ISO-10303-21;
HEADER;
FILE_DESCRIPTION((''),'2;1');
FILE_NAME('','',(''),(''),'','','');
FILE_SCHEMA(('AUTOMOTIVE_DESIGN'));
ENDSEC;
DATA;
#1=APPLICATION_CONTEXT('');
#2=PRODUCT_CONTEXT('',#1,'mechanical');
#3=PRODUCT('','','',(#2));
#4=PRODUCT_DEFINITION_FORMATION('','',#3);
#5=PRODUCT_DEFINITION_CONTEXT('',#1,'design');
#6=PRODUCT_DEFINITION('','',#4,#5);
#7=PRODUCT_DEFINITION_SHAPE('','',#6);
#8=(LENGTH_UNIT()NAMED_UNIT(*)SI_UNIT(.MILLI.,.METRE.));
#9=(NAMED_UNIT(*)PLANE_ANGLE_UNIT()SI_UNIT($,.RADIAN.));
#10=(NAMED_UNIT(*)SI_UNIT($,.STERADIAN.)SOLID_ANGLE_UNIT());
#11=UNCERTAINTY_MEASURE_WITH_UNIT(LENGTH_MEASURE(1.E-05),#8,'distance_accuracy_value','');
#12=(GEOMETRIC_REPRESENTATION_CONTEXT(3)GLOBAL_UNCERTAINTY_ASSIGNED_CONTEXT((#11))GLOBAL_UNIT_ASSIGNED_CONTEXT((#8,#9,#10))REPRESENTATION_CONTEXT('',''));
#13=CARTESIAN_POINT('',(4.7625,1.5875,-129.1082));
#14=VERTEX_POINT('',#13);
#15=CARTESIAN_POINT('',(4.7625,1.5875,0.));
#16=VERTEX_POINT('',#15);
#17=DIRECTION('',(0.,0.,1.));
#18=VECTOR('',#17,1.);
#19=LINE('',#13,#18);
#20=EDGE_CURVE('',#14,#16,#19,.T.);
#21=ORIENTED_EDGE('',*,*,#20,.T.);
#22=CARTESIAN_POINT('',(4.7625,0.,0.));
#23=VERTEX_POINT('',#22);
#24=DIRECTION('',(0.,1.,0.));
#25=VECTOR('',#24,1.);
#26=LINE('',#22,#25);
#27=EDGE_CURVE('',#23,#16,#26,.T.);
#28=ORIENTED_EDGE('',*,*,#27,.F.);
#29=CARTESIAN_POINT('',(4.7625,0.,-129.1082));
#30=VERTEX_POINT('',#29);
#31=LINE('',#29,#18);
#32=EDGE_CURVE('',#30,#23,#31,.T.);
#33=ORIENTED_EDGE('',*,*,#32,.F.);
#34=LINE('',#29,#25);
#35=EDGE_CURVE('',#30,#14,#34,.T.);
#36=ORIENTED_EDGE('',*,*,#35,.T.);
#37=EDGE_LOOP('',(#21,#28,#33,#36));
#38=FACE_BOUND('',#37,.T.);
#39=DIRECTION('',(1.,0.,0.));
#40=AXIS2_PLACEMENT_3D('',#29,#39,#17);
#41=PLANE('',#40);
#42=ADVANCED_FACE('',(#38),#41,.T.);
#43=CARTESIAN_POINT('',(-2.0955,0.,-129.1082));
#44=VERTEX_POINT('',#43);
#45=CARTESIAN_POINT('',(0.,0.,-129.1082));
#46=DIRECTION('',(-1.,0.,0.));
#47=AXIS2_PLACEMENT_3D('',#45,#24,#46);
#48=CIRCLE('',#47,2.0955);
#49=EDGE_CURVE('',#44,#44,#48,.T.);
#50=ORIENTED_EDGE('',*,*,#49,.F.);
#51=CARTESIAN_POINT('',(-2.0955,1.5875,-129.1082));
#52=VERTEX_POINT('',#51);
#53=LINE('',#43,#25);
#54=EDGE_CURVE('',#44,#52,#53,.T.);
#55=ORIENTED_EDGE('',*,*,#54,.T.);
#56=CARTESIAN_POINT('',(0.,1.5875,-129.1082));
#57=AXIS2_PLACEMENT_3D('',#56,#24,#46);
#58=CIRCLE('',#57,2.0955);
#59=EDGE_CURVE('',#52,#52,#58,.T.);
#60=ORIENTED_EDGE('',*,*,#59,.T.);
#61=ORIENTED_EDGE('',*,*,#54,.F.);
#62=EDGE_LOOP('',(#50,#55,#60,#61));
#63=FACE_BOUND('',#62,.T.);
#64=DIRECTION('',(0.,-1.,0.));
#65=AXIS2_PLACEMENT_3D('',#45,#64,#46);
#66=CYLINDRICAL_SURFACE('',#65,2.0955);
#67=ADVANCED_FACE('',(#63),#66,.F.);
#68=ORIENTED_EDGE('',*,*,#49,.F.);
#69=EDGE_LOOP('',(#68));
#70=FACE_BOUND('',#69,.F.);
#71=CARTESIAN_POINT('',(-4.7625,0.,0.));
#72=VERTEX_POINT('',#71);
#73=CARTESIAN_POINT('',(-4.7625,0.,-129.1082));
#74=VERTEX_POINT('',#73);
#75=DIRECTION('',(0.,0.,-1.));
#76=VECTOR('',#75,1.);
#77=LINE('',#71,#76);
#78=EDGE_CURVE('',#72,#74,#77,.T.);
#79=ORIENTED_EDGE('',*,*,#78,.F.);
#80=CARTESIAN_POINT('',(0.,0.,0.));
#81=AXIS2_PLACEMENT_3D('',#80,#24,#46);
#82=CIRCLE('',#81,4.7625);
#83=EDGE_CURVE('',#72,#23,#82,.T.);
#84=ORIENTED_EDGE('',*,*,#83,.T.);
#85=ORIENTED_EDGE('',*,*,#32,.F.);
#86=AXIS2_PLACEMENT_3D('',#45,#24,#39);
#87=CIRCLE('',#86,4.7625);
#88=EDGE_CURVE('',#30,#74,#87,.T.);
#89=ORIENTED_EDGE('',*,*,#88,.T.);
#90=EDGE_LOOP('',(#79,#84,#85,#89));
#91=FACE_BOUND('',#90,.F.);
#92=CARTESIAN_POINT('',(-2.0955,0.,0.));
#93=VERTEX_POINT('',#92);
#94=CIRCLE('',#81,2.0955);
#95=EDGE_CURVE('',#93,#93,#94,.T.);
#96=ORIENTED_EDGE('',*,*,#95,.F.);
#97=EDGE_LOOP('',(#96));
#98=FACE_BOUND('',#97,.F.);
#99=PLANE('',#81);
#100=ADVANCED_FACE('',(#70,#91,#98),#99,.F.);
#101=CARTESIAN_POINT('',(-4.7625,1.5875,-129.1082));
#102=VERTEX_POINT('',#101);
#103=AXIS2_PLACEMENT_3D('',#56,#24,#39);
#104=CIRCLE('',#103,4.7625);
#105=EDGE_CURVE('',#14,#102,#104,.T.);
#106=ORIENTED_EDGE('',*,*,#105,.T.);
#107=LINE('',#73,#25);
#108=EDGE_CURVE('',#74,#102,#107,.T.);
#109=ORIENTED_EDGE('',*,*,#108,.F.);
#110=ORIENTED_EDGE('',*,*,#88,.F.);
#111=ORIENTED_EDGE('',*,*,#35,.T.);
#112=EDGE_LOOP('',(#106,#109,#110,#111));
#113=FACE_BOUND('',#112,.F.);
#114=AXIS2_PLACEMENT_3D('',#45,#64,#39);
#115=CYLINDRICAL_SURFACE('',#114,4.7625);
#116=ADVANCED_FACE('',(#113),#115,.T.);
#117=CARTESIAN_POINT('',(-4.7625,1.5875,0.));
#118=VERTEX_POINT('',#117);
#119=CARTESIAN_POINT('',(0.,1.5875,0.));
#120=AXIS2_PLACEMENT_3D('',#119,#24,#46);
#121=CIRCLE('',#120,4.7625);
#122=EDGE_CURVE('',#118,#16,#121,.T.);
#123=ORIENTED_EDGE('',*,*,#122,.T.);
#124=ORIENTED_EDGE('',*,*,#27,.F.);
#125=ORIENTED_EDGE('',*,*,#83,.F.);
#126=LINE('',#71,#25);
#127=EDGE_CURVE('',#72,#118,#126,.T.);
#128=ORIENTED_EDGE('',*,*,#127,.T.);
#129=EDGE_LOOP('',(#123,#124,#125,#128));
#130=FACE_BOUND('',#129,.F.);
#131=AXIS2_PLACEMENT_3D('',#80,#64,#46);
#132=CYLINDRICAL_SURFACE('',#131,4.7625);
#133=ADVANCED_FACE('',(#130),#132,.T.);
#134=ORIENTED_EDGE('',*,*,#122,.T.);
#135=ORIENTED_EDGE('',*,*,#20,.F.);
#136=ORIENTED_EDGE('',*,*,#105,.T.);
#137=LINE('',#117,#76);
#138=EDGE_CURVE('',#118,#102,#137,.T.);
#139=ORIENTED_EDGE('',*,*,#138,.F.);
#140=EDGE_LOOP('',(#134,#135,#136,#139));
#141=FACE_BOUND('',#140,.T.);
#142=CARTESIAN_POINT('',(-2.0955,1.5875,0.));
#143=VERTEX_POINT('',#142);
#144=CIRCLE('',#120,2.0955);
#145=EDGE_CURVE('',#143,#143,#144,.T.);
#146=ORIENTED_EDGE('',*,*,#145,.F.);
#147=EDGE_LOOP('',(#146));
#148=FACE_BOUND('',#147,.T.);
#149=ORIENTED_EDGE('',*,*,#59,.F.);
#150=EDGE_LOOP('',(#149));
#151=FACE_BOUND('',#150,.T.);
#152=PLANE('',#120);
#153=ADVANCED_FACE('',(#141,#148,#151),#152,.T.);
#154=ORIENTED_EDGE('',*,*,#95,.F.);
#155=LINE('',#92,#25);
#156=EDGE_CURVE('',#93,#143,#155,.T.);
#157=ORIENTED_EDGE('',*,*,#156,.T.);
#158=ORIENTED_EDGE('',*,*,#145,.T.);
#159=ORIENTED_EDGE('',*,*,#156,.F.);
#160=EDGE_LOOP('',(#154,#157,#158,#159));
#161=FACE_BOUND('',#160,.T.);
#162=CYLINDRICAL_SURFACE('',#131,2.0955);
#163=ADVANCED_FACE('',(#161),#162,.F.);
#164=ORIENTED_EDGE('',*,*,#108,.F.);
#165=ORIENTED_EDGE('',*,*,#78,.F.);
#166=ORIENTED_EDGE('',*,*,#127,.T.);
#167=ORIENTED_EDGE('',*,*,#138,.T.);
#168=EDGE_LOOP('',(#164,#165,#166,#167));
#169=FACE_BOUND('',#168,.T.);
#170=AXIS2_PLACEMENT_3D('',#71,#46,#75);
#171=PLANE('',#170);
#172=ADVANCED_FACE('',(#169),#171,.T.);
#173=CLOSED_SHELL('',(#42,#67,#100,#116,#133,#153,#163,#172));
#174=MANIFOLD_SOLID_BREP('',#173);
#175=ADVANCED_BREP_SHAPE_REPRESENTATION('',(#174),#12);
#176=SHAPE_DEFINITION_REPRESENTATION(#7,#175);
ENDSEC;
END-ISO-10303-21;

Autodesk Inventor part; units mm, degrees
ref_plane "YZ Plane" through (0, 0, 0) normal (1, 0, 0) x (0, 1, 0)
ref_plane "XZ Plane" through (0, 0, 0) normal (0, 1, 0) x (-1, 0, 0)
ref_plane "XY Plane" through (0, 0, 0) normal (0, 0, 1) x (1, 0, 0)
sketch "Sketch1" plane through (0, 0, 0) normal (0, 1, 0) x (-1, 0, 0)
  circle A0 centre (0, 0) radius 2.0955
  circle A1 centre (0, -129.1082) radius 2.0955
  arc A2 (4.7625, 0) -> (-4.7625, 0) centre (0, 0) ccw
  arc A3 (-4.7625, -129.1082) -> (4.7625, -129.1082) centre (0, -129.1082) ccw
  line L0 (4.7625, 0) -> (4.7625, -129.1082)
  line L1 (-4.7625, -129.1082) -> (-4.7625, 0)
  dimension "d0" = 4.191
  dimension "d1" = 4.191
  dimension "d2" = 9.525
  dimension "d3" = 9.525
extrude "Extrusion1" add sketch "Sketch1" along normal blind 1.5875
equation "\"BendRadius\" = Thickness"
equation "\"BendReliefWidth\" = Thickness"
equation "\"BendReliefDepth\" = 0.5 * Thickness"
equation "\"CornerReliefSize\" = 4 * Thickness"
equation "\"MinimumRemnant\" = 2 * Thickness"
equation "\"TransitionRadius\" = BendRadius"
equation "\"JacobiRadiusSize\" = BendRadius"
equation "\"GapSize\" = Thickness"
equation "\"Thickness\" = 3.048"
properties part number "brace-gussest" material "Acetal Resin, Black"
